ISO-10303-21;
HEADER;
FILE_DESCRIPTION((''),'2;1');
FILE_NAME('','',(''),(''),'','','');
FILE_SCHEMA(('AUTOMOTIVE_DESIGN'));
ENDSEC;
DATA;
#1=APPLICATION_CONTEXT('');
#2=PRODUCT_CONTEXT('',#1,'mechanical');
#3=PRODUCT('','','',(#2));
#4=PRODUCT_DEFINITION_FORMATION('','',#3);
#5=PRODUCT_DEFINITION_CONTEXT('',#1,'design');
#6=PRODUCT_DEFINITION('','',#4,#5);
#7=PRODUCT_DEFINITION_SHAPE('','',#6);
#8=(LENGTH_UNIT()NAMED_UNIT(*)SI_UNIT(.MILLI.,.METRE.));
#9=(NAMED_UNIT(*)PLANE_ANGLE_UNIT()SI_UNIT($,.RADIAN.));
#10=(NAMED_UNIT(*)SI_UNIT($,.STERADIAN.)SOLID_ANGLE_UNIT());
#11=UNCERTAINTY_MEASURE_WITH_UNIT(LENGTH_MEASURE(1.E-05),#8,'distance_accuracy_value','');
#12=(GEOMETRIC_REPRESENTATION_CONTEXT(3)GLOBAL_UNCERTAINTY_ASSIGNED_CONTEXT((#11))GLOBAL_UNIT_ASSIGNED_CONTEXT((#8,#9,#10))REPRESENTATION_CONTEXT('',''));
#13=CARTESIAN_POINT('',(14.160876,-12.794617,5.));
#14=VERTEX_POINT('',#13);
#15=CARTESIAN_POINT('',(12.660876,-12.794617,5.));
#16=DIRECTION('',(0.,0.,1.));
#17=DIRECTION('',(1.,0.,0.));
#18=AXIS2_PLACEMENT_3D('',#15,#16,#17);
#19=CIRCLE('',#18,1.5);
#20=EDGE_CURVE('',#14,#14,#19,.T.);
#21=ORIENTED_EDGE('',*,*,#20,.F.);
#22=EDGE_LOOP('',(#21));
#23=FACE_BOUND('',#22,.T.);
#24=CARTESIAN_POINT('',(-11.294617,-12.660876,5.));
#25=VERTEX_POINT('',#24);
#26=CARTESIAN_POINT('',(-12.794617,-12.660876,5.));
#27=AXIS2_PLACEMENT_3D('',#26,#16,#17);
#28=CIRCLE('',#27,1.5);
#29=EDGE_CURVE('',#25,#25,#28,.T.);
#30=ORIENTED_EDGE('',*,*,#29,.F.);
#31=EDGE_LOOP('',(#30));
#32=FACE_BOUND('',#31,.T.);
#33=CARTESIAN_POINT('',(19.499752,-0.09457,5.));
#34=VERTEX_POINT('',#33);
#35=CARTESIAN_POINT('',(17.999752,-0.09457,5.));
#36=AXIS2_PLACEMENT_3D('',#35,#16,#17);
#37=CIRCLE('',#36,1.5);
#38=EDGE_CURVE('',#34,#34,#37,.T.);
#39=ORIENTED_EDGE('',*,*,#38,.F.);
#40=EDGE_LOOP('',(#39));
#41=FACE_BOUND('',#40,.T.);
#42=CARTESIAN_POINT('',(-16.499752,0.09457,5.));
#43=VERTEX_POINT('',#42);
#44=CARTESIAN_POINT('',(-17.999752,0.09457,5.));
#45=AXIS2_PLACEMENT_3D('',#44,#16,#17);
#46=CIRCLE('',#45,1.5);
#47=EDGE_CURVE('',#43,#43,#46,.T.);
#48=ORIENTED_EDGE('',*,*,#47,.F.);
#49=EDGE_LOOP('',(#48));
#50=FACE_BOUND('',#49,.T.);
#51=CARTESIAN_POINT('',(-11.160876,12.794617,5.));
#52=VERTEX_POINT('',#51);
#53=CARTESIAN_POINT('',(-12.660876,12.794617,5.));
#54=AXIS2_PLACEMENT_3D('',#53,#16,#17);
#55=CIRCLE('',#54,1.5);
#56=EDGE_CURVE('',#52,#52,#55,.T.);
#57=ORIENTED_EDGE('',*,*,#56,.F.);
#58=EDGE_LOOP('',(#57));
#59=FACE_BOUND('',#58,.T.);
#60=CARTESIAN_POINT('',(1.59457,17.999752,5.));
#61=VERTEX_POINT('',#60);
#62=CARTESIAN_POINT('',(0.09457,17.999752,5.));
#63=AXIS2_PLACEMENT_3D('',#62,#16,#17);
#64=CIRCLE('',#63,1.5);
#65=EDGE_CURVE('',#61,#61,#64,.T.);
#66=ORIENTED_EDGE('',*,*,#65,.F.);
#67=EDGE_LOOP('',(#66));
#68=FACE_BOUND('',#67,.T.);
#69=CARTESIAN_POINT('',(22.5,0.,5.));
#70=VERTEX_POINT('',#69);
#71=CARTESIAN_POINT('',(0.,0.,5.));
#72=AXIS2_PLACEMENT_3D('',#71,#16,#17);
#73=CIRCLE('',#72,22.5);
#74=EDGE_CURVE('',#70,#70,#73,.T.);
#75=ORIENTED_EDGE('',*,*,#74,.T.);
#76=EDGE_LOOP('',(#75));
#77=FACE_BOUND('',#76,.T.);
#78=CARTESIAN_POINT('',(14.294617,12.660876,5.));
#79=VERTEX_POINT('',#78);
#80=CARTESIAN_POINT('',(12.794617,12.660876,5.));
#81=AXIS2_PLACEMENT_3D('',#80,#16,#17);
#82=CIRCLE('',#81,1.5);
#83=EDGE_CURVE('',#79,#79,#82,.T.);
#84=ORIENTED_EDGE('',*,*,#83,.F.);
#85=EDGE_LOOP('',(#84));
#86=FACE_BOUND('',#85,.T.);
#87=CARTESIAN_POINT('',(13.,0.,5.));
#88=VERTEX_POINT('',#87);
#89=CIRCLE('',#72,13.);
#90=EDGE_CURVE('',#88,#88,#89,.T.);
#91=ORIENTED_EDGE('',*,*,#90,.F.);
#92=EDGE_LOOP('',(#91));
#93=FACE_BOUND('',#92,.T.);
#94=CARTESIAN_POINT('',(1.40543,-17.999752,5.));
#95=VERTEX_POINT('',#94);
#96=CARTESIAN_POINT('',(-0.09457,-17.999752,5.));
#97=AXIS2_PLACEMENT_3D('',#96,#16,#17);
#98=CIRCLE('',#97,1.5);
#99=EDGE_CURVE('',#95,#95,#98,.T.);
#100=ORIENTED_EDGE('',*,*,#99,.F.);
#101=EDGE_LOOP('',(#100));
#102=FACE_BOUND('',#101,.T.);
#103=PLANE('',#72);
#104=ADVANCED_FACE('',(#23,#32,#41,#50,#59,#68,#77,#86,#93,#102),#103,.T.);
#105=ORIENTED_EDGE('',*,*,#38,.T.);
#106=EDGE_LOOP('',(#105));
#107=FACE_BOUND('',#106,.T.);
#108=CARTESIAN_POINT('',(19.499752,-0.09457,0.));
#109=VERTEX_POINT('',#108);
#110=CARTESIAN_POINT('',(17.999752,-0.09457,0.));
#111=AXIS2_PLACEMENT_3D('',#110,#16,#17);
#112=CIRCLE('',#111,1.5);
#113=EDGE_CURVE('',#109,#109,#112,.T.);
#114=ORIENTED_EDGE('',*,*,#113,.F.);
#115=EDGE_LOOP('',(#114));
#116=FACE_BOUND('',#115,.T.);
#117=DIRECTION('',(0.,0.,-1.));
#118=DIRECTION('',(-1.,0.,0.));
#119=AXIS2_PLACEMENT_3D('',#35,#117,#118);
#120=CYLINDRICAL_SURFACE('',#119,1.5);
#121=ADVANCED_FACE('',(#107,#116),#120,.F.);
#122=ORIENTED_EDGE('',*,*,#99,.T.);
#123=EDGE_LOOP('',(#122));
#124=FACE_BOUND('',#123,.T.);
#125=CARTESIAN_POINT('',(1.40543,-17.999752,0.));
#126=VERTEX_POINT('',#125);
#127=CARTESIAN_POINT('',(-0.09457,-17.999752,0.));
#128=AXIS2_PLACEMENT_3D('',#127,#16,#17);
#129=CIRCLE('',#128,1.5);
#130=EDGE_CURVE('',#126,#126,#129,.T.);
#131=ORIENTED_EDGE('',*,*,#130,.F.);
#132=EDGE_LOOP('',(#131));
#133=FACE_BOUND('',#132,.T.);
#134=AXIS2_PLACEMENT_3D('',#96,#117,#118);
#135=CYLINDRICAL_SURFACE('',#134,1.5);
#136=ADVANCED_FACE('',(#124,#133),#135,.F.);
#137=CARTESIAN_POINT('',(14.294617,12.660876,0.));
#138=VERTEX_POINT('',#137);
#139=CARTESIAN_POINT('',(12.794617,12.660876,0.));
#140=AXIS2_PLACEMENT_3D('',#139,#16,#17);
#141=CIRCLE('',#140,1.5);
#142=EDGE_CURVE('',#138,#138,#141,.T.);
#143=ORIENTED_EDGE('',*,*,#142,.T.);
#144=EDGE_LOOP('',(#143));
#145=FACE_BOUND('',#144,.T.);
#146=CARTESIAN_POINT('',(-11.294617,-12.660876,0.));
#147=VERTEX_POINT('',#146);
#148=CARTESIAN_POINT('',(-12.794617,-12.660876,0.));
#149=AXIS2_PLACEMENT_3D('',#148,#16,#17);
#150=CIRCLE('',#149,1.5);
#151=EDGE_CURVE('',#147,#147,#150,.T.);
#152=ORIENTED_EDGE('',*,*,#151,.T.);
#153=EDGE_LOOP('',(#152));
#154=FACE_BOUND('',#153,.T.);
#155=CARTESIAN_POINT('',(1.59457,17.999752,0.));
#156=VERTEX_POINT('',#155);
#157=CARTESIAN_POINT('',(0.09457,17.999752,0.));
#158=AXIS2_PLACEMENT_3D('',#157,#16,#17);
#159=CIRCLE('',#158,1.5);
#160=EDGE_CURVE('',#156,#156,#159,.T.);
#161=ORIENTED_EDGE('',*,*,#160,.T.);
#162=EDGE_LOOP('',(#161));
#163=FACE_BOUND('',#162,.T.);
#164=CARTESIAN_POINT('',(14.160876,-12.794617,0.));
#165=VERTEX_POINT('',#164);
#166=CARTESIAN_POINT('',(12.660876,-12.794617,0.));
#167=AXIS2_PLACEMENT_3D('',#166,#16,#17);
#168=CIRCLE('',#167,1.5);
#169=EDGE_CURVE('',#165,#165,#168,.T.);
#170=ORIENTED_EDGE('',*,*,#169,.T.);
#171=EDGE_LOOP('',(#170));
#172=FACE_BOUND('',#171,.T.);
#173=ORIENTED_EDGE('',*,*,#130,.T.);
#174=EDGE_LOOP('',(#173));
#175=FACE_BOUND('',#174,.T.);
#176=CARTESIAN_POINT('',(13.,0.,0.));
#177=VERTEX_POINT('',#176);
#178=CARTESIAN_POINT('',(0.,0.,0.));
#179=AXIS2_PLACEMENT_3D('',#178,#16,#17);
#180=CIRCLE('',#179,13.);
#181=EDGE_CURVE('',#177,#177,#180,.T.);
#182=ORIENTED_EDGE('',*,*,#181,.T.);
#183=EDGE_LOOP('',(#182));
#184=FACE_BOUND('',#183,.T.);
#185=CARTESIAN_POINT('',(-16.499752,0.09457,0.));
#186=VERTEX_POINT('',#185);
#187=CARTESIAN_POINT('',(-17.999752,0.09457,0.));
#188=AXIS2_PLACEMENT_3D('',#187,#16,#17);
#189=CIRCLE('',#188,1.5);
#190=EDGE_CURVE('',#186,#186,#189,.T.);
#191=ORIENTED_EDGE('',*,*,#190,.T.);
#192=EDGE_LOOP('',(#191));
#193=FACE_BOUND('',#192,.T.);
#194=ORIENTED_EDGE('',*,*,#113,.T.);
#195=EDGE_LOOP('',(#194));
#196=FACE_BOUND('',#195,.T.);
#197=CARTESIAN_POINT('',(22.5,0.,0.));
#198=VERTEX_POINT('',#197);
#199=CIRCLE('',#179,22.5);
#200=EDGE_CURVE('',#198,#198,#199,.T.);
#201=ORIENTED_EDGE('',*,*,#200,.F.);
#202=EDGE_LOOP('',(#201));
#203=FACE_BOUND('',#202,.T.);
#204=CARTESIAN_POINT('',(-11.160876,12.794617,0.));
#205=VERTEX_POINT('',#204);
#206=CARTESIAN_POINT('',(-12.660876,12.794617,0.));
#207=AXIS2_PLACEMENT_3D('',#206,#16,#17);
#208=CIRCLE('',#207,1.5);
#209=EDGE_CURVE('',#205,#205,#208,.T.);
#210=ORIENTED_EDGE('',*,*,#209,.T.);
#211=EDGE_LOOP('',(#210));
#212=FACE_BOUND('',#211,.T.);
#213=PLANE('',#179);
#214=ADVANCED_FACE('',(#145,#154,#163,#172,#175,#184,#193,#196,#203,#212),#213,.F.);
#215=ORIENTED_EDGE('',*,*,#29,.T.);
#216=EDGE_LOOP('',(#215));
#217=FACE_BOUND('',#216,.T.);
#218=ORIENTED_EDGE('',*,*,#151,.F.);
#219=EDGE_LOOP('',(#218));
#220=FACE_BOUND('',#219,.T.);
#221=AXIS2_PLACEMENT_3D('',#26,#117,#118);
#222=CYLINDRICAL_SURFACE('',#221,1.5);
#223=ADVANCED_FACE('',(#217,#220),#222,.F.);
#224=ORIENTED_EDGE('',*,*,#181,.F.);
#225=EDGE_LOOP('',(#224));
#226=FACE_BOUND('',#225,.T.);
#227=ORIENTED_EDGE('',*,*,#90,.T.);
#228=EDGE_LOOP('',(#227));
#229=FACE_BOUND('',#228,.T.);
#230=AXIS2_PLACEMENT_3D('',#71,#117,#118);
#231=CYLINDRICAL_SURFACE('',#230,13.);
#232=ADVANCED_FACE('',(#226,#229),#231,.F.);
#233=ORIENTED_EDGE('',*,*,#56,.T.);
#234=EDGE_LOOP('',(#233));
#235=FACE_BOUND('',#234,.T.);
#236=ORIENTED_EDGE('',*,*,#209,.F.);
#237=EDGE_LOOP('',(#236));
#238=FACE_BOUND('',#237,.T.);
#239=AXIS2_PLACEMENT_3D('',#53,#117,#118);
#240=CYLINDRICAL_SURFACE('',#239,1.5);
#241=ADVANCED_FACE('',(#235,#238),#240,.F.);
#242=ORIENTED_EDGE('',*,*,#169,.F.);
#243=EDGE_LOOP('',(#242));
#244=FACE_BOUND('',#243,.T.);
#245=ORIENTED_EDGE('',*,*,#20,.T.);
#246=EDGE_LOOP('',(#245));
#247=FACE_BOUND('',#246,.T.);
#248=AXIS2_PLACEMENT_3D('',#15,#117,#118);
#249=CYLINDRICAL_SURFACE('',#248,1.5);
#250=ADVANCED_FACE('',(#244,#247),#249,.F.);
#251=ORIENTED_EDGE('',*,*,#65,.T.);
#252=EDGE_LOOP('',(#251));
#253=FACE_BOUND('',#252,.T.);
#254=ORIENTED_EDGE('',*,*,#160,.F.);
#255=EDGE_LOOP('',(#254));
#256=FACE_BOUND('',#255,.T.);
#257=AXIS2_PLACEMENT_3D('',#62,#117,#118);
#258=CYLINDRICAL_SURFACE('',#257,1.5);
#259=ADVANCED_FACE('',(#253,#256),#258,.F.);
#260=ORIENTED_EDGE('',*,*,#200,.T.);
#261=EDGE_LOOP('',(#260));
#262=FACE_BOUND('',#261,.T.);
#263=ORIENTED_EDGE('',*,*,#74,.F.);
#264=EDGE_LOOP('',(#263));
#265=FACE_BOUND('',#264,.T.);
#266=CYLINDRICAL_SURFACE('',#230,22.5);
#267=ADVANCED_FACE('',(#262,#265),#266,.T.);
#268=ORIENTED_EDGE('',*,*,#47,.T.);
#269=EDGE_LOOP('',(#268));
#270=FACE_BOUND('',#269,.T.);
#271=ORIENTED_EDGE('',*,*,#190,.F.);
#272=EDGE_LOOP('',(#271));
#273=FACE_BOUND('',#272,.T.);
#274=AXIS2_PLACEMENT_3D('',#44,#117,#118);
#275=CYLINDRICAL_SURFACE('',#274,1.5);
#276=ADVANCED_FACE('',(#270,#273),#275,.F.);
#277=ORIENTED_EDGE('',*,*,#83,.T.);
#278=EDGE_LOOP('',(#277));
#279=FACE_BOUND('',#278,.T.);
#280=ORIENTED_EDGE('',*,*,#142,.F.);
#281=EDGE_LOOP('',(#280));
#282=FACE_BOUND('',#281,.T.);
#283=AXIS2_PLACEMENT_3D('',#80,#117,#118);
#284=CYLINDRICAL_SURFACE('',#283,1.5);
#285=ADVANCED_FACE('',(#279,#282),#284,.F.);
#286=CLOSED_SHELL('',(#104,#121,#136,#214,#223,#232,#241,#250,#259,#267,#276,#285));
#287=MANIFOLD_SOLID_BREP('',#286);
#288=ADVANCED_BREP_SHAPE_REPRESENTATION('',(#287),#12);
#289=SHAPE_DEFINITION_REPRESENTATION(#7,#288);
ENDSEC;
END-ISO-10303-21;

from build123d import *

# Parameters (mm, degrees)
ESQUISSE1_R        = 22.5
ESQUISSE1_R_2      = 13
ESQUISSE1_R_3      = 1.5
BOSS_EXTRU_1_DEPTH = 5


with BuildPart() as part:
    # Esquisse1 → Boss.-Extru.1 (new body)
    with BuildSketch(Plane.XY):
        Circle(ESQUISSE1_R)
        Circle(ESQUISSE1_R_2, mode=Mode.SUBTRACT)
        with Locations((-12.660875573, 12.794617217)):
            Circle(ESQUISSE1_R_3, mode=Mode.SUBTRACT)
        with Locations((0.094569623, 17.99975157)):
            Circle(ESQUISSE1_R_3, mode=Mode.SUBTRACT)
        with Locations((12.794617217, 12.660875573)):
            Circle(ESQUISSE1_R_3, mode=Mode.SUBTRACT)
        with Locations((17.99975157, -0.094569623)):
            Circle(ESQUISSE1_R_3, mode=Mode.SUBTRACT)
        with Locations((12.660875573, -12.794617217)):
            Circle(ESQUISSE1_R_3, mode=Mode.SUBTRACT)
        with Locations((-0.094569623, -17.99975157)):
            Circle(ESQUISSE1_R_3, mode=Mode.SUBTRACT)
        with Locations((-12.794617217, -12.660875573)):
            Circle(ESQUISSE1_R_3, mode=Mode.SUBTRACT)
        with Locations((-17.99975157, 0.094569623)):
            Circle(ESQUISSE1_R_3, mode=Mode.SUBTRACT)
    extrude(amount=BOSS_EXTRU_1_DEPTH)


solid = part.part
